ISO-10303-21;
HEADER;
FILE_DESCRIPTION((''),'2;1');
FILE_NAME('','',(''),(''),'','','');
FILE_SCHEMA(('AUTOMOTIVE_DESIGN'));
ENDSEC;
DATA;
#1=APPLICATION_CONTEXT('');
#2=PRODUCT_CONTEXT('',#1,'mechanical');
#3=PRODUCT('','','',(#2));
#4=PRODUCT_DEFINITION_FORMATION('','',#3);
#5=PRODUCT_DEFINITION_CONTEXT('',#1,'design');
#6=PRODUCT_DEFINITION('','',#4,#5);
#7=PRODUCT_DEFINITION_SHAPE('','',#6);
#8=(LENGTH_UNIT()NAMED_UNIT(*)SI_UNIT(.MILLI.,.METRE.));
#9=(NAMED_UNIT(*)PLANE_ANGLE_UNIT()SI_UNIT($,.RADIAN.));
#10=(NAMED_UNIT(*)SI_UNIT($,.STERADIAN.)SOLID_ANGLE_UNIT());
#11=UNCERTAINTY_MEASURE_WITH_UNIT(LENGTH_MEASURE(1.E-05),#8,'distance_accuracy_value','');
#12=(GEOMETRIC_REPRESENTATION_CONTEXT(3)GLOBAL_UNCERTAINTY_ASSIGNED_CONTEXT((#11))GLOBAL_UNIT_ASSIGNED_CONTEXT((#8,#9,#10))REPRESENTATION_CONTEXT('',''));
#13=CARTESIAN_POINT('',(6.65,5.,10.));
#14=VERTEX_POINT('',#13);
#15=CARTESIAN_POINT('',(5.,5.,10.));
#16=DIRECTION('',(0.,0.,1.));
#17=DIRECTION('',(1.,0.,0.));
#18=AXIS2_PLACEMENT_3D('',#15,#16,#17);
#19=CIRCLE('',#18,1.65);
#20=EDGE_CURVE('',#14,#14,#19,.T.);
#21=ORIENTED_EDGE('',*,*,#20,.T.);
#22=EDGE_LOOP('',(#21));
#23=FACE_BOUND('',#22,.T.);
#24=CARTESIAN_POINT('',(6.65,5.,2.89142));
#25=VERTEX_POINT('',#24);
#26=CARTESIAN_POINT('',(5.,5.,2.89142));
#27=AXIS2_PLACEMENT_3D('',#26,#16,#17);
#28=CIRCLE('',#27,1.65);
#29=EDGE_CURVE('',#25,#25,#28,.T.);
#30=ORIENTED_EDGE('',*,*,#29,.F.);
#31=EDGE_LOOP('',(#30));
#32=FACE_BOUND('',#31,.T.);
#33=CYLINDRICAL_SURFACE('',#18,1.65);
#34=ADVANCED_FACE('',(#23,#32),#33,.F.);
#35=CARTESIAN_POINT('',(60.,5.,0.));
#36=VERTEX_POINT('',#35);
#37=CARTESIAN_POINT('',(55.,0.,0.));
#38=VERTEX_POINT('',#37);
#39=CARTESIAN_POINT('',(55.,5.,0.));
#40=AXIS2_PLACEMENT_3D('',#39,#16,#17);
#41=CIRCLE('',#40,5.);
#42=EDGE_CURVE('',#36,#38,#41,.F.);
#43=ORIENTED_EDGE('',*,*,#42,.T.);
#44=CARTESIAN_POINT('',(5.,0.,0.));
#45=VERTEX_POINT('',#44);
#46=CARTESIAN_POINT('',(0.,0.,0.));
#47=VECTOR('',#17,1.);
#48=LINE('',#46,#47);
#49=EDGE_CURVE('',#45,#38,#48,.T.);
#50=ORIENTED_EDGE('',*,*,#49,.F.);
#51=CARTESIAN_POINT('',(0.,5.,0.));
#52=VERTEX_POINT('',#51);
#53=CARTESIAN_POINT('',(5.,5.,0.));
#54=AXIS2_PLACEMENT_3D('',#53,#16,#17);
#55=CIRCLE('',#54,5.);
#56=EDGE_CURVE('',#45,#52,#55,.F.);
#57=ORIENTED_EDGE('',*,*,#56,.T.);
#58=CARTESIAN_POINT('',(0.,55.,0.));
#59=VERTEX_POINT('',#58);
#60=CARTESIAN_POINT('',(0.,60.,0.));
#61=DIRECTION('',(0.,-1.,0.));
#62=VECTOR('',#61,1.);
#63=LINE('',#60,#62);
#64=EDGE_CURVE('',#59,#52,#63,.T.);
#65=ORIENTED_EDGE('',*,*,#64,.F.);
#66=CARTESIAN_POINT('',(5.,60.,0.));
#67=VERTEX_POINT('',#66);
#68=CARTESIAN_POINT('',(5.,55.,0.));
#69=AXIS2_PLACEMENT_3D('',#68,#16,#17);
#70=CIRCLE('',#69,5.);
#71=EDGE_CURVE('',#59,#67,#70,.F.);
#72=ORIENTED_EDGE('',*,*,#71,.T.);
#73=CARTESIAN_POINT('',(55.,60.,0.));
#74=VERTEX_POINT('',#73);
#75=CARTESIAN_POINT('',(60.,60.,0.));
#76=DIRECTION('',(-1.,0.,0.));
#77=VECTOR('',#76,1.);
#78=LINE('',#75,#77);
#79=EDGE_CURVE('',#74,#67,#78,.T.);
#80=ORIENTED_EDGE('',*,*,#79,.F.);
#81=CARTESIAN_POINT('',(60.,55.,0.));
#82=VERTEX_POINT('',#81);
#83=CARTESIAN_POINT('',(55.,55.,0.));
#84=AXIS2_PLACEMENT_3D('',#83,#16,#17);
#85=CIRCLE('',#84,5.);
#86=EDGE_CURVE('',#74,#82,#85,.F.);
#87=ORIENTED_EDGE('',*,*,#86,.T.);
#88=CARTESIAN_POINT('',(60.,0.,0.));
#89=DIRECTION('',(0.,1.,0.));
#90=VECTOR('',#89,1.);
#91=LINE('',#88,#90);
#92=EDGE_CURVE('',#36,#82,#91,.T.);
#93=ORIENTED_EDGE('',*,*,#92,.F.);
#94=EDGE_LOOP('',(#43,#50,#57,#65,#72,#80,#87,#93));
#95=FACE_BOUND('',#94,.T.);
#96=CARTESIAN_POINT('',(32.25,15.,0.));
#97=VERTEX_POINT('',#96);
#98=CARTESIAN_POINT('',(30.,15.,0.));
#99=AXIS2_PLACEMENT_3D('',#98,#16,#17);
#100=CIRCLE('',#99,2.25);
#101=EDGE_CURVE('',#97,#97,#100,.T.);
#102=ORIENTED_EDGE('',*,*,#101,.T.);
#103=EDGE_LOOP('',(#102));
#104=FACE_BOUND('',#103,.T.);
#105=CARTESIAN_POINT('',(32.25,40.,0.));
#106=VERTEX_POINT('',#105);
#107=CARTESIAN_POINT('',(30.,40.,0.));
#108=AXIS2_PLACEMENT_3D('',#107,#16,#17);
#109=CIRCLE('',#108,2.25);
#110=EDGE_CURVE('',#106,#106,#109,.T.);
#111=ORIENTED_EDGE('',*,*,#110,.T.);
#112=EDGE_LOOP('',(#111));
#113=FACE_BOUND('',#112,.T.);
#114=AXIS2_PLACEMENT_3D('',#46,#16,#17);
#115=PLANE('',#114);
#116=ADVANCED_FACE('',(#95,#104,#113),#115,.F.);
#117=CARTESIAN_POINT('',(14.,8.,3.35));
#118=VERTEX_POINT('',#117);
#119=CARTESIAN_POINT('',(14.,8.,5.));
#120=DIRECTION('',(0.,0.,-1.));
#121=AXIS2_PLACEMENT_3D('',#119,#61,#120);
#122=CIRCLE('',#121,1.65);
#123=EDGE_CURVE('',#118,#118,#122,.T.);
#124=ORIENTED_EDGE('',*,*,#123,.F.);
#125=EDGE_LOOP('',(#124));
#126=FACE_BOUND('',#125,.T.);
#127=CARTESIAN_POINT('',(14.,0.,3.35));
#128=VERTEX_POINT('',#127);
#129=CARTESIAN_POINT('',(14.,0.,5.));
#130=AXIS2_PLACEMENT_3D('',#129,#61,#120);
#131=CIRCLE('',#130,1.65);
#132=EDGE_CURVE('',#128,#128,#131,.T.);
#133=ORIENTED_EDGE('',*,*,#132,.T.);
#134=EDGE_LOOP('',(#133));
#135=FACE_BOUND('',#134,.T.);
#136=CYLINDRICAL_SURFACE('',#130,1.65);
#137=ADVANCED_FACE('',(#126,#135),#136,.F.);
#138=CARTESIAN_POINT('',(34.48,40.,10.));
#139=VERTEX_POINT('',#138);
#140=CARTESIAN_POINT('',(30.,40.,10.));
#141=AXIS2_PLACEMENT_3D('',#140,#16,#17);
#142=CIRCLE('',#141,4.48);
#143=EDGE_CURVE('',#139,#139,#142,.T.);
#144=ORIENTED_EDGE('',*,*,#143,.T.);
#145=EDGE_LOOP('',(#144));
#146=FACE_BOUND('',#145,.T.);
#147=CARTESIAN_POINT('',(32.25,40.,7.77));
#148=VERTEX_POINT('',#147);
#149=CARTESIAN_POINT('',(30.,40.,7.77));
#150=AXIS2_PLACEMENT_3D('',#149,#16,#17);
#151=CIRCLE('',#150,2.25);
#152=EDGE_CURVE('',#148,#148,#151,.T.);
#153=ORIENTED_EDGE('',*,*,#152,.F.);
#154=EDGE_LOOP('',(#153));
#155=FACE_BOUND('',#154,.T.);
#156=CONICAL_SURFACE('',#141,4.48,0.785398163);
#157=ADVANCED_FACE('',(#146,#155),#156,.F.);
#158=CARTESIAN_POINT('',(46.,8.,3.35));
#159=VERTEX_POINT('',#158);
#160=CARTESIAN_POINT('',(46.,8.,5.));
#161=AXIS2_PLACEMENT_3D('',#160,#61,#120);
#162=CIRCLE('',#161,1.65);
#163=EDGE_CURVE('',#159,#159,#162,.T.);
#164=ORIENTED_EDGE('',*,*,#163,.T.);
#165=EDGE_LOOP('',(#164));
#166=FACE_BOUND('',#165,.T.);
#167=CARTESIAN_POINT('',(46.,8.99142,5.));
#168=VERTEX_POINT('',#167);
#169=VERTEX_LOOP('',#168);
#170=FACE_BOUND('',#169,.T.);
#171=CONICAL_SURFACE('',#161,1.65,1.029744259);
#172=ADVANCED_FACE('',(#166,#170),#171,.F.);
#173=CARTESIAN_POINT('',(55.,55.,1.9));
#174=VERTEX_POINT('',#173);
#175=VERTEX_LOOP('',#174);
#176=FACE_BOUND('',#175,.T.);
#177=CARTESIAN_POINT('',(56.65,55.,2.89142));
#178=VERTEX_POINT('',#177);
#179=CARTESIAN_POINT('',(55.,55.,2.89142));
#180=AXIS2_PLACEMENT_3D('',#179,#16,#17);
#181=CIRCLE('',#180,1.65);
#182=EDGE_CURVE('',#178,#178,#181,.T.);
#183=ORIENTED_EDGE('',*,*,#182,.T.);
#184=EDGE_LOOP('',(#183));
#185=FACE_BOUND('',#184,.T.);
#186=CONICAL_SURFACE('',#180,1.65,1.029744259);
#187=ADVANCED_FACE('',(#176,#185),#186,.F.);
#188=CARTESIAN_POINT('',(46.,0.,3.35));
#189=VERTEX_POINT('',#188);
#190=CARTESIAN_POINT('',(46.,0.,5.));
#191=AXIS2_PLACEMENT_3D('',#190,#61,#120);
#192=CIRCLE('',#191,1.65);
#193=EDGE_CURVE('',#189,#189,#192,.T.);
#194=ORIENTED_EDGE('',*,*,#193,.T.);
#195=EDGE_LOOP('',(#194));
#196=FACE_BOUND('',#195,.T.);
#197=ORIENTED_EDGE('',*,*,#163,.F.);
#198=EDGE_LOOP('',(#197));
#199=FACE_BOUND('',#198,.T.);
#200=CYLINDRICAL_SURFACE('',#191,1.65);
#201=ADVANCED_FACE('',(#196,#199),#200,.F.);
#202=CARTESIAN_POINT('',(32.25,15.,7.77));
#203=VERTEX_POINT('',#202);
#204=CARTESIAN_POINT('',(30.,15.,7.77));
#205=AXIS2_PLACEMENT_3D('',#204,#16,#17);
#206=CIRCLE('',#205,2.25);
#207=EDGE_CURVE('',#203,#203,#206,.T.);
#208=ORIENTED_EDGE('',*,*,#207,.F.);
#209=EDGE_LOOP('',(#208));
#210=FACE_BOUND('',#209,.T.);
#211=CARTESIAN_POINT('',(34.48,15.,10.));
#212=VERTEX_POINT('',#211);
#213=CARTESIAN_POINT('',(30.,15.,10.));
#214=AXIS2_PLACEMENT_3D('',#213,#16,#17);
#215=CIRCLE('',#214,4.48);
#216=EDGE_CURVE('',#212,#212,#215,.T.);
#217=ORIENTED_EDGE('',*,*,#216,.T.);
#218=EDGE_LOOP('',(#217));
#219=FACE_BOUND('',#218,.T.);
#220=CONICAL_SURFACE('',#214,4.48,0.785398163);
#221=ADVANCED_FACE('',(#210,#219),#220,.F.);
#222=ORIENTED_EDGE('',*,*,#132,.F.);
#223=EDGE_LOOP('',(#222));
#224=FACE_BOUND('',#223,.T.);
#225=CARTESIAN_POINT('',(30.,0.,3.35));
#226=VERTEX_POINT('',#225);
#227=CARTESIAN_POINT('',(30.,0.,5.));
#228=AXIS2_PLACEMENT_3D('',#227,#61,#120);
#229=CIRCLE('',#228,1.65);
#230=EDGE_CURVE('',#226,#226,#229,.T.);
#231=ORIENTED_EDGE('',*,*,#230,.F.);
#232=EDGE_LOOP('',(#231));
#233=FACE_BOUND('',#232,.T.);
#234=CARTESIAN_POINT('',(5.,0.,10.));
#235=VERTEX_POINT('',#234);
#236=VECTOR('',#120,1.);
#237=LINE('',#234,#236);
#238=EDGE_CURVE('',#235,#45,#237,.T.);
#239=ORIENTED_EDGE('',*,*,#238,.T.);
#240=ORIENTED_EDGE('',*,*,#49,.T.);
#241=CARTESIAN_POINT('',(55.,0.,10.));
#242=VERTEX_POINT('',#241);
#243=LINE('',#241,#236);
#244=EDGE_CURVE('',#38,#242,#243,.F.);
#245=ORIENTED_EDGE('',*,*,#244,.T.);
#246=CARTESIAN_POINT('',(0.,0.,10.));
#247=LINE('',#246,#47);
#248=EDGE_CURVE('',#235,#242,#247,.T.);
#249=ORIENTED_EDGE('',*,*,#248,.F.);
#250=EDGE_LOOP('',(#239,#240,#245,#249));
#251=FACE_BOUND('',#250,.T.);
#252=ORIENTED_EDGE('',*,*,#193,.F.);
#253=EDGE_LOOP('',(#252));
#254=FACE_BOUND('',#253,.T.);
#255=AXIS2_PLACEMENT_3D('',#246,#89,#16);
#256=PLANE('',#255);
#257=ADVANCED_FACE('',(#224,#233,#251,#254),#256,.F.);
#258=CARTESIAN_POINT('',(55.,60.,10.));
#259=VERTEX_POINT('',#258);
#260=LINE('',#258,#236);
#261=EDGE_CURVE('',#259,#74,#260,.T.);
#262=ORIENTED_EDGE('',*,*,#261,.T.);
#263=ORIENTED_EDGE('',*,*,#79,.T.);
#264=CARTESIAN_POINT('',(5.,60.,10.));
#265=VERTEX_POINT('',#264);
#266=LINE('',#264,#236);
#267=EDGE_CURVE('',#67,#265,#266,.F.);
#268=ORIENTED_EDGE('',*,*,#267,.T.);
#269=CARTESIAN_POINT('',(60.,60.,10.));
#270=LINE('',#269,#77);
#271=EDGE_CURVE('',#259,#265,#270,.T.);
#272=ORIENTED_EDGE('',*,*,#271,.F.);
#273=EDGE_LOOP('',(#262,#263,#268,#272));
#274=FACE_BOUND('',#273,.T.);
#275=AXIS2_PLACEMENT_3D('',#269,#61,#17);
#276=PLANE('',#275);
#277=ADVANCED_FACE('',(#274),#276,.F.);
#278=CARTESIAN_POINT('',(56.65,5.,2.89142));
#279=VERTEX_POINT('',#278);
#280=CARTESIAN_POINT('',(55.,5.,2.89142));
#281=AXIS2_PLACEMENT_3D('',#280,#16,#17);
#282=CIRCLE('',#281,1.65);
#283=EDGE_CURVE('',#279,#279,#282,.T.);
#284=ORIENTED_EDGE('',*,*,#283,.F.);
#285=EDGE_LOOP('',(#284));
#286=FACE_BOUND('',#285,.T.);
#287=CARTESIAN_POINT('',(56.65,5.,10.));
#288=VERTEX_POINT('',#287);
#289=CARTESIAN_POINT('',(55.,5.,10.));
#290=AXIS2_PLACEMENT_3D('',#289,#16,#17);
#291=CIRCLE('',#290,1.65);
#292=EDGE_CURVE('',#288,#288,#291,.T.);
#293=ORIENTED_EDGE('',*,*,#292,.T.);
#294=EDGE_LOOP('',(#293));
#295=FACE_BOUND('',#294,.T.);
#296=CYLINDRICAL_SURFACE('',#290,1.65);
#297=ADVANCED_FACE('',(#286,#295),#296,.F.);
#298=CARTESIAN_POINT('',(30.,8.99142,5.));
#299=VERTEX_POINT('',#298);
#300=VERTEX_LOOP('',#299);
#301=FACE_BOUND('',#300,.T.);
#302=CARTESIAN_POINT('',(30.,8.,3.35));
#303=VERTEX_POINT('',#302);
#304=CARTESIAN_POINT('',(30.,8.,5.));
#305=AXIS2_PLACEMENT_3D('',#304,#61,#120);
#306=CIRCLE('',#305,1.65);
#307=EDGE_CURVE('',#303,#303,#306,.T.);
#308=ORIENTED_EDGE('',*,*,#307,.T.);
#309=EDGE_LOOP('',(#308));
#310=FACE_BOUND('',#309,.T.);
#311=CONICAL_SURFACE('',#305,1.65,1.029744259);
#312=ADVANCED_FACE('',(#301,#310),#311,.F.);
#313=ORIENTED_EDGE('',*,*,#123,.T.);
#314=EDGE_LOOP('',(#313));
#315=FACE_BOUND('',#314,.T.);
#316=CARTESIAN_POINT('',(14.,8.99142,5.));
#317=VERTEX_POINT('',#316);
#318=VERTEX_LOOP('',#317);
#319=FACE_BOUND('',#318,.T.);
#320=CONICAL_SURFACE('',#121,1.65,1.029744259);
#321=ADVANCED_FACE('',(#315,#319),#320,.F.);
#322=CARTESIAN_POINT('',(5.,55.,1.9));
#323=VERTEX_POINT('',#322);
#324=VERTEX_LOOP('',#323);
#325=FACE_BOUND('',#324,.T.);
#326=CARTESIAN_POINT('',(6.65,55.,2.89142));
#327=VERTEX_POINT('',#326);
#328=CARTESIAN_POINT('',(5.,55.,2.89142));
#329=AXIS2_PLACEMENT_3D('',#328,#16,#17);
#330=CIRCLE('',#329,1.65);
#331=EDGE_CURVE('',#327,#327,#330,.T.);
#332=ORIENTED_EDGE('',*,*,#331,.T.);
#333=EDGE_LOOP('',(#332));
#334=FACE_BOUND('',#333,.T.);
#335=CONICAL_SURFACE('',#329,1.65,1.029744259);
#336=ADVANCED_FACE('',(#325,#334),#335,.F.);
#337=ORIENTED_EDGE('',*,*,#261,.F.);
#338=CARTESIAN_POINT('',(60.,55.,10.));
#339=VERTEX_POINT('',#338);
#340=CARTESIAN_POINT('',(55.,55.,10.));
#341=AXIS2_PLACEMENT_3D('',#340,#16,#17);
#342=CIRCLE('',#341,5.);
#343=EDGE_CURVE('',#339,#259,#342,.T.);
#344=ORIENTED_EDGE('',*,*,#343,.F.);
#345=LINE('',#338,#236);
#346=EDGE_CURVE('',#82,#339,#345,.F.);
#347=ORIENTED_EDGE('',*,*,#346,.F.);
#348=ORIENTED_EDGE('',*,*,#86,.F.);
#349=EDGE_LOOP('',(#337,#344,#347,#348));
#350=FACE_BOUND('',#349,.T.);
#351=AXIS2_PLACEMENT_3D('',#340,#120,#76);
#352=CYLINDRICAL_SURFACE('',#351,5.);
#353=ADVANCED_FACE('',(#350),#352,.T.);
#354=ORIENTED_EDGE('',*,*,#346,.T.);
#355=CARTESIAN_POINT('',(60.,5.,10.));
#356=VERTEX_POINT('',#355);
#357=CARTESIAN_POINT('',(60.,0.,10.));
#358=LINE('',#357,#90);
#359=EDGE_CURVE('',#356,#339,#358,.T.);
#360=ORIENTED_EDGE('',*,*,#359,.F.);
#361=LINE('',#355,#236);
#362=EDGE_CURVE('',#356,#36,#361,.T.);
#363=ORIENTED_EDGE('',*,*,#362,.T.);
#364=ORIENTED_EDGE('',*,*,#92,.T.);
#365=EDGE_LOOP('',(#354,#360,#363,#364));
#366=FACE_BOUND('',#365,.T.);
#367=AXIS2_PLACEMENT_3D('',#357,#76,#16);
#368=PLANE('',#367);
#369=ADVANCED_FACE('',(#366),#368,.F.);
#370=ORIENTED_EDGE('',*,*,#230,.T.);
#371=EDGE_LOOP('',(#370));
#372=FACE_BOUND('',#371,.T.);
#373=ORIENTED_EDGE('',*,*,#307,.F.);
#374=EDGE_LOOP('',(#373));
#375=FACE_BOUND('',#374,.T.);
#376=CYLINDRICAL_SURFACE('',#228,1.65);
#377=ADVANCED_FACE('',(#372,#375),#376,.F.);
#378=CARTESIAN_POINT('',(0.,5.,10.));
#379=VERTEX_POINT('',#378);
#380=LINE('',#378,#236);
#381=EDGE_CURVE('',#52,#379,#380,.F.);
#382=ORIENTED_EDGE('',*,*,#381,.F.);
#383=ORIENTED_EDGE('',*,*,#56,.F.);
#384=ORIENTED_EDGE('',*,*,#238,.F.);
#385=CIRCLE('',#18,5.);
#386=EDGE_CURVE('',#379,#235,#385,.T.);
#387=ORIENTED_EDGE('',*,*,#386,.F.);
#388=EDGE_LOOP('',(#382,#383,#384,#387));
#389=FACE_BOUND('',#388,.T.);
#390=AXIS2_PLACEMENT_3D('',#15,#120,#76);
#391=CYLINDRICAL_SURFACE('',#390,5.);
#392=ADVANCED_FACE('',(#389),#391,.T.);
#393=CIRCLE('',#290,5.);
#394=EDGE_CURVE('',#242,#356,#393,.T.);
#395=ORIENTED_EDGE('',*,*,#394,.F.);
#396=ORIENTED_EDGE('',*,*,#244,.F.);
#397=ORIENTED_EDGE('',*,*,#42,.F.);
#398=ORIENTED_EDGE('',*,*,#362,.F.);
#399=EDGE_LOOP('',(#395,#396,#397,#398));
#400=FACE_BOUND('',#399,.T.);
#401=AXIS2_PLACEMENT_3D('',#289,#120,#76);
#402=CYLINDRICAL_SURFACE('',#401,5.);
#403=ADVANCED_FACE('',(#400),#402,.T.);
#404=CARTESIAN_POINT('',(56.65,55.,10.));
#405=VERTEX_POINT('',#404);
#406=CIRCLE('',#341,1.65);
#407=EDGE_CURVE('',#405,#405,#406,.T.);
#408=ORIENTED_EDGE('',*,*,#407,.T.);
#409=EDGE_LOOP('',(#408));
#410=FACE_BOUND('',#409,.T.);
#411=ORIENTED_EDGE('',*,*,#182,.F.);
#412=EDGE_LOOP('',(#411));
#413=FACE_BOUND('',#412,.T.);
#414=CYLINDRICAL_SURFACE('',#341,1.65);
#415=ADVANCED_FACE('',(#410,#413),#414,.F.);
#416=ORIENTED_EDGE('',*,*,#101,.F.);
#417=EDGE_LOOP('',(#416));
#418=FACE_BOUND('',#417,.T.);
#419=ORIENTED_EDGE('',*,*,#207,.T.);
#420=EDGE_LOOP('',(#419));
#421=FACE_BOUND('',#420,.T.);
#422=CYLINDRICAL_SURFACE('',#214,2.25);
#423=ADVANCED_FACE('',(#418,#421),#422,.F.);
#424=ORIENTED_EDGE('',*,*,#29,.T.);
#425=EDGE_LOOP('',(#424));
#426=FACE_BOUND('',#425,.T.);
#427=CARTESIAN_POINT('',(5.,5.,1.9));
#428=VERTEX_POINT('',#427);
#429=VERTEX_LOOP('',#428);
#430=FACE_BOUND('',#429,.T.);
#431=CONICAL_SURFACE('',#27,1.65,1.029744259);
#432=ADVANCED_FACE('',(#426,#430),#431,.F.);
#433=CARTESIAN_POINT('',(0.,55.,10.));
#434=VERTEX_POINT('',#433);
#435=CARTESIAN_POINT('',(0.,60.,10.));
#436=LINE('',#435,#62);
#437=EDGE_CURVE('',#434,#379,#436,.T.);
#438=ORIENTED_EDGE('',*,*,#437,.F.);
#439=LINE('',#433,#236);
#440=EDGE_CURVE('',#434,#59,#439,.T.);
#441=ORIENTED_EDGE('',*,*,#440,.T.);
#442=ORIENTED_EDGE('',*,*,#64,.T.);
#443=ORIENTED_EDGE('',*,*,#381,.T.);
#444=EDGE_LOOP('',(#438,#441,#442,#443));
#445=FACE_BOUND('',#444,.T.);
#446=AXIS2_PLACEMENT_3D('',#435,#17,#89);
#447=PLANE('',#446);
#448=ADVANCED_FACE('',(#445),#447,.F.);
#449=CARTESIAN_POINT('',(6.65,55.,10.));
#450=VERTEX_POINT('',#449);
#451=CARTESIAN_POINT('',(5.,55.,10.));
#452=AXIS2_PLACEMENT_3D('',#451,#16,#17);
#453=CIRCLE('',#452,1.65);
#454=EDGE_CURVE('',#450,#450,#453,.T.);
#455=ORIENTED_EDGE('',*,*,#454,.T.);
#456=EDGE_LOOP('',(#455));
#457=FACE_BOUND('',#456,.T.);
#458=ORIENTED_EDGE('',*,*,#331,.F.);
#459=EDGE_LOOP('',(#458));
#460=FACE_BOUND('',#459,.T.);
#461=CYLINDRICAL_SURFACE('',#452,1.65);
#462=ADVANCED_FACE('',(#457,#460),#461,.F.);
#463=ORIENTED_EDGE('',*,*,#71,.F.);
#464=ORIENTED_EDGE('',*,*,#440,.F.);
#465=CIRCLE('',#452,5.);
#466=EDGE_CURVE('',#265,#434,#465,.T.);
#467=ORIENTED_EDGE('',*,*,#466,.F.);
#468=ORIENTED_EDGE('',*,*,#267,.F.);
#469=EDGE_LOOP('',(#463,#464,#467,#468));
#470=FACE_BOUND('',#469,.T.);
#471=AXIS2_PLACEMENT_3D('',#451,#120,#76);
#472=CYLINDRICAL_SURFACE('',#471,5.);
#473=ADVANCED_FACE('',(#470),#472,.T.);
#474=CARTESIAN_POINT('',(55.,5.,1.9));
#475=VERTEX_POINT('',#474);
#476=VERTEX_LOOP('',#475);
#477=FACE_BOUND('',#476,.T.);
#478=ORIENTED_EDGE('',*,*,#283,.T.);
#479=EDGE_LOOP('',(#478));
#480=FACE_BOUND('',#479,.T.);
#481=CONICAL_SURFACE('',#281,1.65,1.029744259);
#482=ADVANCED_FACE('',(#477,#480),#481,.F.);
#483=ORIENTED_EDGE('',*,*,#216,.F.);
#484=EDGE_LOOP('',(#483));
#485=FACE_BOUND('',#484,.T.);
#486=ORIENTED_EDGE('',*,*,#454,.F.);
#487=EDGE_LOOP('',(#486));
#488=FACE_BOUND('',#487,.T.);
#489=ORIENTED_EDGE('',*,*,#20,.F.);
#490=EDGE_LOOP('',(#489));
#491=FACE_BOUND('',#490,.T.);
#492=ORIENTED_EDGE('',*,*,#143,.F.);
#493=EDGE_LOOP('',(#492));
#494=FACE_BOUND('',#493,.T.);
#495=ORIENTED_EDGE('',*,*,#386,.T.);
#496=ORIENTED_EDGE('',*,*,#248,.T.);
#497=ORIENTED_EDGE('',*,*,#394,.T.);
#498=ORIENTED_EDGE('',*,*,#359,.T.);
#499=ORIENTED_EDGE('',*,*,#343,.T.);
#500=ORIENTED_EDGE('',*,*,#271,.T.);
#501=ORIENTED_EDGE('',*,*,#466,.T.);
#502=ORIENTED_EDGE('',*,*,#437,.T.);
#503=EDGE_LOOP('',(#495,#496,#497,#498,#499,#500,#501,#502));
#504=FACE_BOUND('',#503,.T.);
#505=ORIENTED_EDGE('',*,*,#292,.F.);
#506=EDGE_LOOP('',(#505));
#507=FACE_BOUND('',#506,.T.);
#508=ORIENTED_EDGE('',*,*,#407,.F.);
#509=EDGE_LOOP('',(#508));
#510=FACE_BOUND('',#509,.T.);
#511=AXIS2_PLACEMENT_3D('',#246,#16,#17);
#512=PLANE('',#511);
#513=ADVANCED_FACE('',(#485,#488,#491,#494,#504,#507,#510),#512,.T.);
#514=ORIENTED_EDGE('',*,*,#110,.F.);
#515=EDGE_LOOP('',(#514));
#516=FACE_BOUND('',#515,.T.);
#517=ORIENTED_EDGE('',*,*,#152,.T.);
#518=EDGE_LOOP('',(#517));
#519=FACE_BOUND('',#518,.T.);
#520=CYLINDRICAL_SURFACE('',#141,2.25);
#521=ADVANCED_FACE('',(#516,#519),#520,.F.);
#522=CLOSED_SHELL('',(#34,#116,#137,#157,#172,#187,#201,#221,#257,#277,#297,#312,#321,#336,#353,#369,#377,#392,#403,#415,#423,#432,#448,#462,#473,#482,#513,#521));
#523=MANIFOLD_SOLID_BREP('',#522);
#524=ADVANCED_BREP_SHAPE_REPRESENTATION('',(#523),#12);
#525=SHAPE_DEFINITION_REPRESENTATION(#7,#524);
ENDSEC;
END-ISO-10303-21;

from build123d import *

# Parameters (mm, degrees)
SKETCH1_W                                            = 60
SKETCH1_H                                            = 60
BOSS_EXTRUDE1_DEPTH                                  = 10
M4_TAPPED_HOLE1_D                                    = 3.3
M4_TAPPED_HOLE1_DEPTH                                = 7.108579979
M4_TAPPED_HOLE1_TIP                                  = 0.991420021
CSK_FOR_M4_HEX_SOCKET_COUNTERSUNK_CAP_SC_D           = 4.5
CSK_FOR_M4_HEX_SOCKET_COUNTERSUNK_CAP_SC_CSINK_D     = 8.96
CSK_FOR_M4_HEX_SOCKET_COUNTERSUNK_CAP_SC_CSINK_ANGLE = 90
M4_TAPPED_HOLE2_D                                    = 3.3
M4_TAPPED_HOLE2_DEPTH                                = 8
M4_TAPPED_HOLE2_TIP                                  = 0.991420021
FILLET1_R                                            = 5


with BuildPart() as part:
    # Sketch1 → Boss-Extrude1 (new body)
    with BuildSketch(Plane.XY):
        with Locations((30, 30)):
            Rectangle(SKETCH1_W, SKETCH1_H)
    extrude(amount=BOSS_EXTRUDE1_DEPTH)

    # M4 Tapped Hole1
    with Locations(Plane.XY.offset(10)):
        with Locations((5, 55), (55, 55), (55, 5), (5, 5)):
            Hole(M4_TAPPED_HOLE1_D / 2, depth=M4_TAPPED_HOLE1_DEPTH)
            with Locations((0, 0, -(M4_TAPPED_HOLE1_DEPTH + M4_TAPPED_HOLE1_TIP / 2))):  # 118° drill point
                Cone(0, M4_TAPPED_HOLE1_D / 2, M4_TAPPED_HOLE1_TIP, mode=Mode.SUBTRACT)

    # CSK for M4 Hex Socket Countersunk Cap Screw1 (through all)
    with Locations(Plane.XY.offset(10)):
        with Locations((30, 40), (30, 15)):
            CounterSinkHole(CSK_FOR_M4_HEX_SOCKET_COUNTERSUNK_CAP_SC_D / 2, CSK_FOR_M4_HEX_SOCKET_COUNTERSUNK_CAP_SC_CSINK_D / 2, counter_sink_angle=CSK_FOR_M4_HEX_SOCKET_COUNTERSUNK_CAP_SC_CSINK_ANGLE)

    # M4 Tapped Hole2
    with Locations(Plane(origin=(0, 0, 0), x_dir=(-1, 0, 0), z_dir=(0, -1, 0))):
        with Locations((-30, -5), (-14, -5), (-46, -5)):
            Hole(M4_TAPPED_HOLE2_D / 2, depth=M4_TAPPED_HOLE2_DEPTH)
            with Locations((0, 0, -(M4_TAPPED_HOLE2_DEPTH + M4_TAPPED_HOLE2_TIP / 2))):  # 118° drill point
                Cone(0, M4_TAPPED_HOLE2_D / 2, M4_TAPPED_HOLE2_TIP, mode=Mode.SUBTRACT)

    # Fillet1
    fillet1_edges = [part.edges().sort_by_distance(p)[0] for p in [
        (0, 60, 5),
        (60, 60, 5),
        (60, 0, 5),
        (0, 0, 5),
    ]]
    fillet(fillet1_edges, radius=FILLET1_R)


solid = part.part
